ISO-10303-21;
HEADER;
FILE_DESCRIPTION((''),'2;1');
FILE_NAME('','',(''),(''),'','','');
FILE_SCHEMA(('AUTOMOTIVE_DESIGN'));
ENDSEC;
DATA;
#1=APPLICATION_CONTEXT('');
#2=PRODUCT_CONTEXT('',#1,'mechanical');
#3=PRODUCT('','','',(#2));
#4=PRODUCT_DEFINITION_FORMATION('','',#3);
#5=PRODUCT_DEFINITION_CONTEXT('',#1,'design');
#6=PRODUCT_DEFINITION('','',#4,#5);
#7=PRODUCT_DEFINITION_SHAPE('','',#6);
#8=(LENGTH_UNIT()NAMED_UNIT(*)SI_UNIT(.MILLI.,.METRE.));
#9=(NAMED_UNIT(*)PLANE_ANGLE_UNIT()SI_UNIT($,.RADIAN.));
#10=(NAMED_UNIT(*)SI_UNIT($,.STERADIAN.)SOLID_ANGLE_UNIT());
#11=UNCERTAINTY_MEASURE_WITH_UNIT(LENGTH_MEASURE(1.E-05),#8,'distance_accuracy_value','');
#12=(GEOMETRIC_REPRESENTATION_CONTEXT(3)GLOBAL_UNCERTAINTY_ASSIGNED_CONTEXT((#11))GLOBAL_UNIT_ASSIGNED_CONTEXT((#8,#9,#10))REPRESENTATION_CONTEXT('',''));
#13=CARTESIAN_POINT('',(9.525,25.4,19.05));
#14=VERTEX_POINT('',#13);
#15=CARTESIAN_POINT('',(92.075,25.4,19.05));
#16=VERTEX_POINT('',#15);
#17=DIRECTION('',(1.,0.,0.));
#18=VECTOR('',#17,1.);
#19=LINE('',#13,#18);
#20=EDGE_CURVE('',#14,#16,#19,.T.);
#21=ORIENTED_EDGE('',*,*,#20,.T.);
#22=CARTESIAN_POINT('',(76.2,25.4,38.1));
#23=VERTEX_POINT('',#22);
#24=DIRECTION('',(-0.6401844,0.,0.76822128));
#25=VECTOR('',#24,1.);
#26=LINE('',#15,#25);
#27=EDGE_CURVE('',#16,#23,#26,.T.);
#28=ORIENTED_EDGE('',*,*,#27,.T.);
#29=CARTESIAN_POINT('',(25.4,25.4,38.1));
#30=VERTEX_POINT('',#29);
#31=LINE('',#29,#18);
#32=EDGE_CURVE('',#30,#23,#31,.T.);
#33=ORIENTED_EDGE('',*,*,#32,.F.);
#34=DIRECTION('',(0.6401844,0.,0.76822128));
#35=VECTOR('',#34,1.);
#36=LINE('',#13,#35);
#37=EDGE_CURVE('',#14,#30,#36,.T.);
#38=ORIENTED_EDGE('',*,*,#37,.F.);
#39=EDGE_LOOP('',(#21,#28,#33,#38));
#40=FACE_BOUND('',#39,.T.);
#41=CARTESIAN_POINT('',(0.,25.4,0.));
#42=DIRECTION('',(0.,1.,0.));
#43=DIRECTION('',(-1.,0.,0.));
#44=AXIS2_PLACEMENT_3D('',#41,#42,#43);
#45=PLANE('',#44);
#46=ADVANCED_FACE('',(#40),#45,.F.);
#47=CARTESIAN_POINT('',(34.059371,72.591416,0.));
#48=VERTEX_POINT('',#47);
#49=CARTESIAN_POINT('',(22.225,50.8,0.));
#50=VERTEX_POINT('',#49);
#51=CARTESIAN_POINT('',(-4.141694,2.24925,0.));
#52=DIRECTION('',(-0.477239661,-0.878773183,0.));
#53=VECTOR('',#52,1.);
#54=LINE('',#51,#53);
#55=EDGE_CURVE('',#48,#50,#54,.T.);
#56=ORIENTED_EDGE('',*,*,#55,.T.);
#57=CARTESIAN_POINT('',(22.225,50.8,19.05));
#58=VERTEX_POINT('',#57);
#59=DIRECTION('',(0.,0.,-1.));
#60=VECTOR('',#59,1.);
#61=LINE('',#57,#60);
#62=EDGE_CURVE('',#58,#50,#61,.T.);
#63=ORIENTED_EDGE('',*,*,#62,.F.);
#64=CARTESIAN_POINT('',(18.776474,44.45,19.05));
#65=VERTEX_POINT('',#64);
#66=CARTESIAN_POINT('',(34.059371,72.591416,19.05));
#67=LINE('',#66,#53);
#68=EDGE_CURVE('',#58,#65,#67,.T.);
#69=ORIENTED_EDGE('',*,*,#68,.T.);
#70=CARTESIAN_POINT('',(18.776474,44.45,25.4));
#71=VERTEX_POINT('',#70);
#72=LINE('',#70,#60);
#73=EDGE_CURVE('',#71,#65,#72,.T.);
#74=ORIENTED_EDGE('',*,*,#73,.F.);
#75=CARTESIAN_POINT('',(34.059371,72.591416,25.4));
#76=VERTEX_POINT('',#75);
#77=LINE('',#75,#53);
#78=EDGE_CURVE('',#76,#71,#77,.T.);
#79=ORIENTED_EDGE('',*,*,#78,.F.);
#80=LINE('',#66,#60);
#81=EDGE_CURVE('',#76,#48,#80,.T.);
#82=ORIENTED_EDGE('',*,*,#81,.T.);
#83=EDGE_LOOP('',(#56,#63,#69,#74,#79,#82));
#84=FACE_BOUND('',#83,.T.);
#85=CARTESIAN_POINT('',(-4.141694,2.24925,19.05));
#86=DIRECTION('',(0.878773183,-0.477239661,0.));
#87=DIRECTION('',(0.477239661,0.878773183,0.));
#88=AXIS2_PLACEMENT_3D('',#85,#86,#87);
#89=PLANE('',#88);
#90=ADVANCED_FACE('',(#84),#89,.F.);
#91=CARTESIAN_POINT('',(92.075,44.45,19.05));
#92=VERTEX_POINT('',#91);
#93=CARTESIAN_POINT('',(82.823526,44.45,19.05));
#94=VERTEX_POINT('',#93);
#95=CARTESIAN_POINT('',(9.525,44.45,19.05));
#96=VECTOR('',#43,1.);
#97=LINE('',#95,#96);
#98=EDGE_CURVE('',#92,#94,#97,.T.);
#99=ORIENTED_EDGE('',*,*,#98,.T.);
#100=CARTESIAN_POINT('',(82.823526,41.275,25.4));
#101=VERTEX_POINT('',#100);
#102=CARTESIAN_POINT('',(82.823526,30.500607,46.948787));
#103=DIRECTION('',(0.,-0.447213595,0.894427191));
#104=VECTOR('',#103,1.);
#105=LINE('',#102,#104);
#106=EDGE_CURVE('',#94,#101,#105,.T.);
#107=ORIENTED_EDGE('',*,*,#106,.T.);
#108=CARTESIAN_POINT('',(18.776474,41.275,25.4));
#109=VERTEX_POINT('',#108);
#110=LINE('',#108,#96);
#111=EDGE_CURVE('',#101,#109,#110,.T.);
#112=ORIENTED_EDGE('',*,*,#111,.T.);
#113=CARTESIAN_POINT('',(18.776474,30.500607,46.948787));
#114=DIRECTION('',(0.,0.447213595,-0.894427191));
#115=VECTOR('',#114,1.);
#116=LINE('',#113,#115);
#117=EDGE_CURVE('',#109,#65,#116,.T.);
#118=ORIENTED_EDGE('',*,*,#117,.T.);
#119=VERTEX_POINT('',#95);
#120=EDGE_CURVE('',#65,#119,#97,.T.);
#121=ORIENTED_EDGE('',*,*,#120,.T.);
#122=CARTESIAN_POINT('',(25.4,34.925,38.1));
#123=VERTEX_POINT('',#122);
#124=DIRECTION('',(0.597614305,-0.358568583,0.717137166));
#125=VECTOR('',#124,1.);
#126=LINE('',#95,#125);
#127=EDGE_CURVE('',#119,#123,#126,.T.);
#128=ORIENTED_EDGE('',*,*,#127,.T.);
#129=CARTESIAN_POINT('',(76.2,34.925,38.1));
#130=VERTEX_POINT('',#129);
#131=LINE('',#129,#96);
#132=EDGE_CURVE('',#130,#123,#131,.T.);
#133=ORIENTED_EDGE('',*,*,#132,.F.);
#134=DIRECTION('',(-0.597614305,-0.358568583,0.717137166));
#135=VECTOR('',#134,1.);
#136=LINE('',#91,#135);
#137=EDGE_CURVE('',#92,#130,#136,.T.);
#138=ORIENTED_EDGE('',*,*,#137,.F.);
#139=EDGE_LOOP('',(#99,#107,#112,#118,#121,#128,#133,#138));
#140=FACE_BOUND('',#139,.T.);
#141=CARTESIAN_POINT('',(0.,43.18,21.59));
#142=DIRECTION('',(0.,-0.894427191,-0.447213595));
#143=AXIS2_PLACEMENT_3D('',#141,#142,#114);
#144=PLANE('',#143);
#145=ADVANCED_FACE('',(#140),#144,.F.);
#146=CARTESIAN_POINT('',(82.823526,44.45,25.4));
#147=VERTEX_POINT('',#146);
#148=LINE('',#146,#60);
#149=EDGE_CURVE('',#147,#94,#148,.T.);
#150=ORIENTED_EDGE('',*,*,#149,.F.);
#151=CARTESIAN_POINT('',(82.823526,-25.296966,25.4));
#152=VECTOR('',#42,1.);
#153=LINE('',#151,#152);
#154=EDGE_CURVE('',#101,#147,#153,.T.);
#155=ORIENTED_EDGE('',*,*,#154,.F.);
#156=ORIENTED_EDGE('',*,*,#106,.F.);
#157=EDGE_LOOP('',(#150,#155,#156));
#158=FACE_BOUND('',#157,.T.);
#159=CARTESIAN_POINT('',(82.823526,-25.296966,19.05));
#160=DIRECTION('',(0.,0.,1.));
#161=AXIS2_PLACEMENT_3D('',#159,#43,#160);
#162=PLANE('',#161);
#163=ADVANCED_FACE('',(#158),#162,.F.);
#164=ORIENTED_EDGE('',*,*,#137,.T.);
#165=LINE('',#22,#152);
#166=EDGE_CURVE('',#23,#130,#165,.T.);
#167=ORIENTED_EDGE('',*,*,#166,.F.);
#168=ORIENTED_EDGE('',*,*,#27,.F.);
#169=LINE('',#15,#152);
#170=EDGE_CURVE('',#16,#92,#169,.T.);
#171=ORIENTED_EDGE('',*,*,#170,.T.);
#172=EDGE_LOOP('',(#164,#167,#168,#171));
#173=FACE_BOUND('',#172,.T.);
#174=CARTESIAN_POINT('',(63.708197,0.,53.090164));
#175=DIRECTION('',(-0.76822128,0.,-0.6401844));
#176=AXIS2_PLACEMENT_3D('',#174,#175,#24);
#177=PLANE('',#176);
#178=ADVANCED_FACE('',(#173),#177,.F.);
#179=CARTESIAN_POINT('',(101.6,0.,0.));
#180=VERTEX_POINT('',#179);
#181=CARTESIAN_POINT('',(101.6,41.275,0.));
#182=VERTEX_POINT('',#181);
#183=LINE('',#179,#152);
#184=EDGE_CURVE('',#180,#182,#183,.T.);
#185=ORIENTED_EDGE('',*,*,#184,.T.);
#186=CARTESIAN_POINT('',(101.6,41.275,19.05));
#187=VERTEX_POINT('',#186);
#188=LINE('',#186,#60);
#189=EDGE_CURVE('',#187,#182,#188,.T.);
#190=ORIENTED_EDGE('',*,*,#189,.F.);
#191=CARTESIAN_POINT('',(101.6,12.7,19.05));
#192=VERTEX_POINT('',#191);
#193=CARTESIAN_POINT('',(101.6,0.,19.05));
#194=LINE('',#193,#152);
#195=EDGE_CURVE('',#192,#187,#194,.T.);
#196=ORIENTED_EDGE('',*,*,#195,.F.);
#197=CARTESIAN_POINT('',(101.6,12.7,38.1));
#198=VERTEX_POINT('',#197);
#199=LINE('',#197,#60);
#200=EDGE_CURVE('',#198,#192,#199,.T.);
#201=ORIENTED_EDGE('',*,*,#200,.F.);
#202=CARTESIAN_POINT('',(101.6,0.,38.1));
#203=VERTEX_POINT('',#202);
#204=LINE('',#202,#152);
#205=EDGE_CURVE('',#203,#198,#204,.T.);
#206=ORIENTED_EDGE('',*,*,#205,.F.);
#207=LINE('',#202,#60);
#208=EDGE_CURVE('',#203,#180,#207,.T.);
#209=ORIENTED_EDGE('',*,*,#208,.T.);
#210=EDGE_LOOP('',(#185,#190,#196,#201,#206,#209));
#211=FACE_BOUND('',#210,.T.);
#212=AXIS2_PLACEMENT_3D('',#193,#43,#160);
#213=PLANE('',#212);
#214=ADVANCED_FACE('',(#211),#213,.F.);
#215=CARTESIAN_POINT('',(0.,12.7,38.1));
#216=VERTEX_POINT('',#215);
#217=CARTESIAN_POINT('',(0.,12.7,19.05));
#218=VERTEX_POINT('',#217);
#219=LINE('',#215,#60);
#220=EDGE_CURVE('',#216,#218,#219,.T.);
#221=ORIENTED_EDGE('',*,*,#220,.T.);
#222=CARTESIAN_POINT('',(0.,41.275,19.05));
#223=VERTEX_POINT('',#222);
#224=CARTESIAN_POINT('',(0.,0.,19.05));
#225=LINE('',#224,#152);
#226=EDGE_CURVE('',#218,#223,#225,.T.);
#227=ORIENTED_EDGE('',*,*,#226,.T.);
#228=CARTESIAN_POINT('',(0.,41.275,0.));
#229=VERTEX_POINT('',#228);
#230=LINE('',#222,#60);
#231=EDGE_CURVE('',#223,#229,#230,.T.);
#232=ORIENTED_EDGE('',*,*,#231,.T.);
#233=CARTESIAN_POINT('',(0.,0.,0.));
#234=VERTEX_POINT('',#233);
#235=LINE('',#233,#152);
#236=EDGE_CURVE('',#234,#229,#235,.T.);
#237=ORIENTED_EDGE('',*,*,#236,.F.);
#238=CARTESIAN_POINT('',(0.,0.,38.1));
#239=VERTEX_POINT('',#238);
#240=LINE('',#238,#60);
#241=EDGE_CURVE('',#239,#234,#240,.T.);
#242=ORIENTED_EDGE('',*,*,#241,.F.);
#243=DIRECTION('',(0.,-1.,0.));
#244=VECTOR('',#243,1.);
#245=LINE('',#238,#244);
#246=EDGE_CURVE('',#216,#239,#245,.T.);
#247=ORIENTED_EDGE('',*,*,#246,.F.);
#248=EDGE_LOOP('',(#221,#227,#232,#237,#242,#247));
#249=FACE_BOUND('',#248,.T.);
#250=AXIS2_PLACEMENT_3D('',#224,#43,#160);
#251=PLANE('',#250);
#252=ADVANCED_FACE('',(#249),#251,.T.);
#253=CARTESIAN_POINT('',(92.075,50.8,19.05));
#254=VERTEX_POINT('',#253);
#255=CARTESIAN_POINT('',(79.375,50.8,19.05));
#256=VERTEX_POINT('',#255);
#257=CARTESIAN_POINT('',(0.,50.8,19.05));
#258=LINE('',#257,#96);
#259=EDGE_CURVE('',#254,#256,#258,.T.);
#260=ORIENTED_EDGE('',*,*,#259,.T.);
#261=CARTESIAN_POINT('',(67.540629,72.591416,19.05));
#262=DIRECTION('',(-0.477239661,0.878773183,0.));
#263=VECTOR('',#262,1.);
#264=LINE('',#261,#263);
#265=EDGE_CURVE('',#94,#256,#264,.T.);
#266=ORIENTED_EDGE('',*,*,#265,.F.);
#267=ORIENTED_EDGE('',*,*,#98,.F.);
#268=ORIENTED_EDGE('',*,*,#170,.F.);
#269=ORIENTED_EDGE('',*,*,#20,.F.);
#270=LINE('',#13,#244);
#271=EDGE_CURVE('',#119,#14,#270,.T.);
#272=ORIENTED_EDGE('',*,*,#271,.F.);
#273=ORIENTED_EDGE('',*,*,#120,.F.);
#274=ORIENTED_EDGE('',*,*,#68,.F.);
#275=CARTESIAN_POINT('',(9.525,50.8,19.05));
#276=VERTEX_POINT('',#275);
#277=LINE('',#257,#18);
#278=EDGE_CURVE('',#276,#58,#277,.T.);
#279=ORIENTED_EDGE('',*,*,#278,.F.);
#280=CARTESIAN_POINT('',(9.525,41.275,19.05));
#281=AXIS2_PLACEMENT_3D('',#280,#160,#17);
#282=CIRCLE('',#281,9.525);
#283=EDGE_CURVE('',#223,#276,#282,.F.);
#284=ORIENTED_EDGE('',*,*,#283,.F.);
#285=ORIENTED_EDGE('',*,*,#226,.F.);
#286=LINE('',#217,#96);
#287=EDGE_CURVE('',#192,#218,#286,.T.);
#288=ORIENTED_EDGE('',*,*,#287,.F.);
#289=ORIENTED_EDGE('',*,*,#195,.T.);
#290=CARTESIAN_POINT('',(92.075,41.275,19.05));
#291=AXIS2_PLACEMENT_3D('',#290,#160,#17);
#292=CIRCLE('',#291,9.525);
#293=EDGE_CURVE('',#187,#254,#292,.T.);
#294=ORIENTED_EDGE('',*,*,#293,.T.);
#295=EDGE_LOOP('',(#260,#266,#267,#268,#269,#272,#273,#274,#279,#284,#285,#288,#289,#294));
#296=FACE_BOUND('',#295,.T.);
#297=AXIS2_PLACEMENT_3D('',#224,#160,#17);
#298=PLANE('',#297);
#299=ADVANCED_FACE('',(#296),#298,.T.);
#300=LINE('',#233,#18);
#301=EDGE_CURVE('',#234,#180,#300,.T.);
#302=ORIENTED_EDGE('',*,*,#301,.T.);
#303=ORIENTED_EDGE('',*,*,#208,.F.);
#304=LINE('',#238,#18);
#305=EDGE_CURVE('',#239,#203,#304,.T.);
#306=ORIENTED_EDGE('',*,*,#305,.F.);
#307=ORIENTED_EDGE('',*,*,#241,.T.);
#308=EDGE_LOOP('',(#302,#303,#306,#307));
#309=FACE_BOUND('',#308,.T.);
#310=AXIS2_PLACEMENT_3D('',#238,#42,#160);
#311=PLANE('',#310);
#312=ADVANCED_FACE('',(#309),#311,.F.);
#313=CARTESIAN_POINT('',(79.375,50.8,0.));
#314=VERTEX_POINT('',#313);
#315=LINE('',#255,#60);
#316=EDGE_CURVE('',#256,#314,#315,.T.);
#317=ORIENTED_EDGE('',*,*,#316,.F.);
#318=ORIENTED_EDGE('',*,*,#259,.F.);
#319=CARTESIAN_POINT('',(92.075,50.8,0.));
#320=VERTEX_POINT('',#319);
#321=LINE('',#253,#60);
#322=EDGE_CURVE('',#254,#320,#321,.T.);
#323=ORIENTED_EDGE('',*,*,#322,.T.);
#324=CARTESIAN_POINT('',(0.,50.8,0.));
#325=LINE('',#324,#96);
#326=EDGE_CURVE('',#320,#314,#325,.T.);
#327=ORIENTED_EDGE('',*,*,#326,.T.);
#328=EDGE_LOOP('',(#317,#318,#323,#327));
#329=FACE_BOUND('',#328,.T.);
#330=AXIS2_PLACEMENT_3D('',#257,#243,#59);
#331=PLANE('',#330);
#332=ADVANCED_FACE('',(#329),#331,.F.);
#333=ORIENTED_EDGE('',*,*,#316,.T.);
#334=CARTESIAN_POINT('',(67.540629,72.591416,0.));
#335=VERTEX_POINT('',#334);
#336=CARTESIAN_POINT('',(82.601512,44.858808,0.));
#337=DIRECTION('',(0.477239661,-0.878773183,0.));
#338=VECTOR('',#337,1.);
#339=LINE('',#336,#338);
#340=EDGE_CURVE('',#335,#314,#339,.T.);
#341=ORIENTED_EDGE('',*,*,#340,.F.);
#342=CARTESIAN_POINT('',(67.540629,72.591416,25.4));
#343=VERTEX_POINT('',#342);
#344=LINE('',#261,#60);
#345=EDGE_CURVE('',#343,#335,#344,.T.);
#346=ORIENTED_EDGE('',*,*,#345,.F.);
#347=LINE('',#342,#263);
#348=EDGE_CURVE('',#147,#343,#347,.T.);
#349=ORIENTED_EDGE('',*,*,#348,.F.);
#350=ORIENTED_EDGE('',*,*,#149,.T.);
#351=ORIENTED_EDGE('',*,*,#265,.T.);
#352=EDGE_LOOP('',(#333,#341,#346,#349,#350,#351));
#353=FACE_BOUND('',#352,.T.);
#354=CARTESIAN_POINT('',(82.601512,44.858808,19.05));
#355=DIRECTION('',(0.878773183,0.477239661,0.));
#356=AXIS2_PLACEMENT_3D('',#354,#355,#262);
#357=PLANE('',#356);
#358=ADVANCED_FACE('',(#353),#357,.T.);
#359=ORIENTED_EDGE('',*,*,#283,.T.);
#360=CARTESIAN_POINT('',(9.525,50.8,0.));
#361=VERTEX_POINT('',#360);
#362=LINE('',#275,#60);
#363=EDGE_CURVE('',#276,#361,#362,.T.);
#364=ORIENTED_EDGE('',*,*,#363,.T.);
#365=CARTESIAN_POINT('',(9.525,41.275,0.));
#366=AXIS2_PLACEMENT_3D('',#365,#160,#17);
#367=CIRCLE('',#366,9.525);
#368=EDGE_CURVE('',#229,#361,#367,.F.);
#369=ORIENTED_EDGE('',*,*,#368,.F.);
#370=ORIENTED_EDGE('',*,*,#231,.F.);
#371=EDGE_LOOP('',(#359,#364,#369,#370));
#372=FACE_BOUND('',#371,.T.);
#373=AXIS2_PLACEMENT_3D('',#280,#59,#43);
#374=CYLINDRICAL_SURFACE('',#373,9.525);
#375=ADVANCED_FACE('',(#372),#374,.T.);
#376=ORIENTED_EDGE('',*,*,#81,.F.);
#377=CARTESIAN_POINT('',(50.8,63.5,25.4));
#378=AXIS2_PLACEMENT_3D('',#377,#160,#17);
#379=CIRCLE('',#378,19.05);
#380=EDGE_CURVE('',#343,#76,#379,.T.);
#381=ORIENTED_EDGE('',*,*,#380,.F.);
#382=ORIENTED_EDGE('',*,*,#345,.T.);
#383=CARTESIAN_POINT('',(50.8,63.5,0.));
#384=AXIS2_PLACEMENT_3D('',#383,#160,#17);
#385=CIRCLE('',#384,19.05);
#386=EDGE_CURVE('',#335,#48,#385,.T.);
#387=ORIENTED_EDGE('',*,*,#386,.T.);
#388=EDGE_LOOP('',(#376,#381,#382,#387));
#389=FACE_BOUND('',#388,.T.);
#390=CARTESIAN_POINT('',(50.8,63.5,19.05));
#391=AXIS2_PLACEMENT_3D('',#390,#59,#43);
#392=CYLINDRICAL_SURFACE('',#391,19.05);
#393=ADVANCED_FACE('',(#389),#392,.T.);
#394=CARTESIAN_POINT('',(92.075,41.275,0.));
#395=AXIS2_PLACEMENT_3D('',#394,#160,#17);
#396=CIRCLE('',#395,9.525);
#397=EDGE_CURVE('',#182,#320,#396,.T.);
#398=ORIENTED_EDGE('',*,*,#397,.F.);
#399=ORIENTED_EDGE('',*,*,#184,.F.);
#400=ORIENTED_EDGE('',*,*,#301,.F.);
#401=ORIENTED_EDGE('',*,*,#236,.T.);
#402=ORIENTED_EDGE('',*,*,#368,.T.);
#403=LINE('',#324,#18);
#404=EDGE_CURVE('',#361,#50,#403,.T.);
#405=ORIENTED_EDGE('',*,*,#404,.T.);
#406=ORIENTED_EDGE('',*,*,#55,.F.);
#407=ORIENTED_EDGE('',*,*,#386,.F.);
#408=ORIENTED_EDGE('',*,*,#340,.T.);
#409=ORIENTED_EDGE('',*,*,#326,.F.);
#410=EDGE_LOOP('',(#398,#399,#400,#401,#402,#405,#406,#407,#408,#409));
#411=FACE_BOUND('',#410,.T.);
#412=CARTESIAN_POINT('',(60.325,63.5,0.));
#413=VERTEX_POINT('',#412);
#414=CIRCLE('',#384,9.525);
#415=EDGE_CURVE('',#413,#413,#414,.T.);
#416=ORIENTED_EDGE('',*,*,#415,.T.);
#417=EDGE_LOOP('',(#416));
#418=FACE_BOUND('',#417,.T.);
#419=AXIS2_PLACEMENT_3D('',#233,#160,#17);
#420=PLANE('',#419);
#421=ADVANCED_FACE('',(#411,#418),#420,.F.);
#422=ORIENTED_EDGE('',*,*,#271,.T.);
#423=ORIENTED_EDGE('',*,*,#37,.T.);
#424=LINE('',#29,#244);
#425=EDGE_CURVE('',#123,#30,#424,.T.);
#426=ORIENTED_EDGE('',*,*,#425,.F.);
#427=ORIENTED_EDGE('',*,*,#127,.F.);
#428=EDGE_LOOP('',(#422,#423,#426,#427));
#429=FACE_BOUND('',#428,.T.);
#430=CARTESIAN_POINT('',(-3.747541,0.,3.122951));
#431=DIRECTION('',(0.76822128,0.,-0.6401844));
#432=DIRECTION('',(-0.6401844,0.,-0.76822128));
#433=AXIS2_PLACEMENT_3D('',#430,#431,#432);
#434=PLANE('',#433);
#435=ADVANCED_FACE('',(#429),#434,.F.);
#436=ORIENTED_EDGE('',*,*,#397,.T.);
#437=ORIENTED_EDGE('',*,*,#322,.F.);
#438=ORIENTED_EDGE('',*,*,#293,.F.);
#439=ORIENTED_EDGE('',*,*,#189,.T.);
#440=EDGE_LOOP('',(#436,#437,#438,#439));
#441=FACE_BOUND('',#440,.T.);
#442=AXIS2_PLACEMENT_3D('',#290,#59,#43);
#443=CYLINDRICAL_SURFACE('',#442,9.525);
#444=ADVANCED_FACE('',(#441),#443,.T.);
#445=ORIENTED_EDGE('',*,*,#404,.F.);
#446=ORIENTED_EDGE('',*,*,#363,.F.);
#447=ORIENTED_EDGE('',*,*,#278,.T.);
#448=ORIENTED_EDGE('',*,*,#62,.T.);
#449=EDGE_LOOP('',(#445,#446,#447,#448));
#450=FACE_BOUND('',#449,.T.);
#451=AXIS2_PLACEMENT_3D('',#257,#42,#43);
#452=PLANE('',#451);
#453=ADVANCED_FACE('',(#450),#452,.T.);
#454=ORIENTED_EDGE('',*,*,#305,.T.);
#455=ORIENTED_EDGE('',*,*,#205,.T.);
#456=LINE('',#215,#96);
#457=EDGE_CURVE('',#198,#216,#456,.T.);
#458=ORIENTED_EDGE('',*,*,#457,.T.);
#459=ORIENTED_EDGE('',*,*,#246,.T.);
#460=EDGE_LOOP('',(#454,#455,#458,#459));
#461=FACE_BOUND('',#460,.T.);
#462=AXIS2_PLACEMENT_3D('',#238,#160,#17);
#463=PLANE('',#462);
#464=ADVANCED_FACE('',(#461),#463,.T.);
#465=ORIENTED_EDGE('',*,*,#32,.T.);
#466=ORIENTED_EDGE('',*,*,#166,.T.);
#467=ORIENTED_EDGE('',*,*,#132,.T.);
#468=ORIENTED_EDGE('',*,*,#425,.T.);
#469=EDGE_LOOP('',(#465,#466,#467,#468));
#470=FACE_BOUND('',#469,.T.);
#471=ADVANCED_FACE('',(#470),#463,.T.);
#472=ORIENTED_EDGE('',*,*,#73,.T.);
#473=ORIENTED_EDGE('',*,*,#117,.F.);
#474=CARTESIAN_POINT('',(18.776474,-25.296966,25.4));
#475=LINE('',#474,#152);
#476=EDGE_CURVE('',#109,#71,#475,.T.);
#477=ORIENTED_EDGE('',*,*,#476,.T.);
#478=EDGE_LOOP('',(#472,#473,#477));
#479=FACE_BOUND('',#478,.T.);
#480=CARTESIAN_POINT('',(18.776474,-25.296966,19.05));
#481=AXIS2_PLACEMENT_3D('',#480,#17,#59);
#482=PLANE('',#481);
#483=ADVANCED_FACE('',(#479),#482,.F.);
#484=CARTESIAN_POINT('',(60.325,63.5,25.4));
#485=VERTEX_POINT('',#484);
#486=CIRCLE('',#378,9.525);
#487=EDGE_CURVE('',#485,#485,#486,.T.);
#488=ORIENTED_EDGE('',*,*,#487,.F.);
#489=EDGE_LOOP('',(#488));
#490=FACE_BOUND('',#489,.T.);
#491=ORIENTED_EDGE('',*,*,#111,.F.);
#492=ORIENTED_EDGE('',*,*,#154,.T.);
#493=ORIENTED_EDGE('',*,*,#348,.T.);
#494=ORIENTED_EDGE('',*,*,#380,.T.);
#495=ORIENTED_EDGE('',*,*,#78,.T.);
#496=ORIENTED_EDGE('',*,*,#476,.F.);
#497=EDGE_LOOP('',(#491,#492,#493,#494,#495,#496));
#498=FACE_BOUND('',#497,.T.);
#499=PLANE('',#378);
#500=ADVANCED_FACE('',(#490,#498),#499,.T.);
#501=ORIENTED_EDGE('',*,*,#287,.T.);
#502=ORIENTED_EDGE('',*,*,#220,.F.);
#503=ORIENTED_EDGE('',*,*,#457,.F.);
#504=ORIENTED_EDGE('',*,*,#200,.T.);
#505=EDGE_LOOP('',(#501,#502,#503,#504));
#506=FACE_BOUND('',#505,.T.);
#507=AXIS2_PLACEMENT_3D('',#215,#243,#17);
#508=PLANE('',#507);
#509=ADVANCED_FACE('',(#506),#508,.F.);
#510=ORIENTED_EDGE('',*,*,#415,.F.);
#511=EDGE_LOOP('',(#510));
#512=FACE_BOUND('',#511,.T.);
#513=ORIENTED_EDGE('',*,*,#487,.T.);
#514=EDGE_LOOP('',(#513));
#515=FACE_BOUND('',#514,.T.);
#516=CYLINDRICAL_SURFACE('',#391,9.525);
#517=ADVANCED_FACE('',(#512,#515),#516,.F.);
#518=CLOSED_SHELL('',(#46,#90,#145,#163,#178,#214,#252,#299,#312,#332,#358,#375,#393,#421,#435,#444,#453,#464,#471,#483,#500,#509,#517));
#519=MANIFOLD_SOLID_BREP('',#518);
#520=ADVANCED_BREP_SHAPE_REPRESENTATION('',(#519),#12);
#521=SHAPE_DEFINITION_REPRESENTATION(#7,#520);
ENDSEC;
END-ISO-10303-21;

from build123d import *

# Parameters (mm, degrees)
SKETCH1_R           = 9.525
BOSS_EXTRUDE1_DEPTH = 19.05
SKETCH1_3_W         = 101.6
SKETCH1_3_H         = 12.7
BOSS_EXTRUDE2_DEPTH = 38.1
SKETCH6_R           = 9.525
BOSS_EXTRUDE6_DEPTH = 6.35
BOSS_EXTRUDE7_REACH = 119.26
SKETCH7_W           = 64.047051266
SKETCH7_H           = 6.35


with BuildPart() as part:
    # Sketch1 → Boss-Extrude1 (new body)
    with BuildSketch(Plane.XY):
        with BuildLine():
            Line((0, 41.275), (0, 12.7))
            Line((0, 12.7), (101.6, 12.7))
            Line((101.6, 12.7), (101.6, 41.275))
            ThreePointArc((101.6, 41.275), (98.810192091, 48.010192091), (92.075, 50.8))
            Line((92.075, 50.8), (79.375, 50.8))
            Line((79.375, 50.8), (67.540629127, 72.591415535))
            ThreePointArc((67.540629127, 72.591415535), (50.8, 82.55), (34.059370873, 72.591415535))
            Line((34.059370873, 72.591415535), (22.225, 50.8))
            Line((22.225, 50.8), (9.525, 50.8))
            ThreePointArc((9.525, 50.8), (2.789807909, 48.010192091), (0, 41.275))
        make_face()
        with Locations((50.8, 63.5)):
            Circle(SKETCH1_R, mode=Mode.SUBTRACT)
    extrude(amount=BOSS_EXTRUDE1_DEPTH)

    # Sketch1<3> → Boss-Extrude2 (add)
    with BuildSketch(Plane.XY):
        with Locations((50.8, 6.35)):
            Rectangle(SKETCH1_3_W, SKETCH1_3_H)
    extrude(amount=BOSS_EXTRUDE2_DEPTH)

    # Sketch5 → Loft1 section 0
    with BuildSketch(Plane.XY.offset(19.05)):
        with BuildLine():
            Line((9.525, 25.4), (92.075, 25.4))
            Line((92.075, 25.4), (92.075, 44.45))
            Line((92.075, 44.45), (9.525, 44.45))
            Line((9.525, 44.45), (9.525, 25.4))
        make_face()
    # Sketch2 → Loft1 section 1
    with BuildSketch(Plane.XY.offset(38.1)):
        with BuildLine():
            Line((25.4, 25.4), (76.2, 25.4))
            Line((76.2, 25.4), (76.2, 34.925))
            Line((76.2, 34.925), (25.4, 34.925))
            Line((25.4, 34.925), (25.4, 25.4))
        make_face()
    loft()

    # Sketch6 → Boss-Extrude6 (add)
    with BuildSketch(Plane.XY.offset(19.05)):
        with BuildLine():
            Line((34.059370873, 72.591415535), (18.776474367, 44.45))
            Line((18.776474367, 44.45), (82.823525633, 44.45))
            Line((82.823525633, 44.45), (67.540629127, 72.591415535))
            ThreePointArc((67.540629127, 72.591415535), (50.8, 82.55), (34.059370873, 72.591415535))
        make_face()
        with Locations((50.8, 63.5)):
            Circle(SKETCH6_R, mode=Mode.SUBTRACT)
    extrude(amount=BOSS_EXTRUDE6_DEPTH)

    # Sketch7 → Boss-Extrude7 (add, up to next)
    with BuildSketch(Plane.XZ.offset(-44.45), mode=Mode.PRIVATE) as boss_extrude7_sk1:
        with Locations((50.8, 22.225)):
            Rectangle(SKETCH7_W, SKETCH7_H)
    boss_extrude7_tool1 = extrude(boss_extrude7_sk1.sketch, amount=BOSS_EXTRUDE7_REACH, mode=Mode.PRIVATE) - part.part
    add(boss_extrude7_tool1.solids().sort_by_distance((50.8, 44.45, 22.225))[0])


solid = part.part
